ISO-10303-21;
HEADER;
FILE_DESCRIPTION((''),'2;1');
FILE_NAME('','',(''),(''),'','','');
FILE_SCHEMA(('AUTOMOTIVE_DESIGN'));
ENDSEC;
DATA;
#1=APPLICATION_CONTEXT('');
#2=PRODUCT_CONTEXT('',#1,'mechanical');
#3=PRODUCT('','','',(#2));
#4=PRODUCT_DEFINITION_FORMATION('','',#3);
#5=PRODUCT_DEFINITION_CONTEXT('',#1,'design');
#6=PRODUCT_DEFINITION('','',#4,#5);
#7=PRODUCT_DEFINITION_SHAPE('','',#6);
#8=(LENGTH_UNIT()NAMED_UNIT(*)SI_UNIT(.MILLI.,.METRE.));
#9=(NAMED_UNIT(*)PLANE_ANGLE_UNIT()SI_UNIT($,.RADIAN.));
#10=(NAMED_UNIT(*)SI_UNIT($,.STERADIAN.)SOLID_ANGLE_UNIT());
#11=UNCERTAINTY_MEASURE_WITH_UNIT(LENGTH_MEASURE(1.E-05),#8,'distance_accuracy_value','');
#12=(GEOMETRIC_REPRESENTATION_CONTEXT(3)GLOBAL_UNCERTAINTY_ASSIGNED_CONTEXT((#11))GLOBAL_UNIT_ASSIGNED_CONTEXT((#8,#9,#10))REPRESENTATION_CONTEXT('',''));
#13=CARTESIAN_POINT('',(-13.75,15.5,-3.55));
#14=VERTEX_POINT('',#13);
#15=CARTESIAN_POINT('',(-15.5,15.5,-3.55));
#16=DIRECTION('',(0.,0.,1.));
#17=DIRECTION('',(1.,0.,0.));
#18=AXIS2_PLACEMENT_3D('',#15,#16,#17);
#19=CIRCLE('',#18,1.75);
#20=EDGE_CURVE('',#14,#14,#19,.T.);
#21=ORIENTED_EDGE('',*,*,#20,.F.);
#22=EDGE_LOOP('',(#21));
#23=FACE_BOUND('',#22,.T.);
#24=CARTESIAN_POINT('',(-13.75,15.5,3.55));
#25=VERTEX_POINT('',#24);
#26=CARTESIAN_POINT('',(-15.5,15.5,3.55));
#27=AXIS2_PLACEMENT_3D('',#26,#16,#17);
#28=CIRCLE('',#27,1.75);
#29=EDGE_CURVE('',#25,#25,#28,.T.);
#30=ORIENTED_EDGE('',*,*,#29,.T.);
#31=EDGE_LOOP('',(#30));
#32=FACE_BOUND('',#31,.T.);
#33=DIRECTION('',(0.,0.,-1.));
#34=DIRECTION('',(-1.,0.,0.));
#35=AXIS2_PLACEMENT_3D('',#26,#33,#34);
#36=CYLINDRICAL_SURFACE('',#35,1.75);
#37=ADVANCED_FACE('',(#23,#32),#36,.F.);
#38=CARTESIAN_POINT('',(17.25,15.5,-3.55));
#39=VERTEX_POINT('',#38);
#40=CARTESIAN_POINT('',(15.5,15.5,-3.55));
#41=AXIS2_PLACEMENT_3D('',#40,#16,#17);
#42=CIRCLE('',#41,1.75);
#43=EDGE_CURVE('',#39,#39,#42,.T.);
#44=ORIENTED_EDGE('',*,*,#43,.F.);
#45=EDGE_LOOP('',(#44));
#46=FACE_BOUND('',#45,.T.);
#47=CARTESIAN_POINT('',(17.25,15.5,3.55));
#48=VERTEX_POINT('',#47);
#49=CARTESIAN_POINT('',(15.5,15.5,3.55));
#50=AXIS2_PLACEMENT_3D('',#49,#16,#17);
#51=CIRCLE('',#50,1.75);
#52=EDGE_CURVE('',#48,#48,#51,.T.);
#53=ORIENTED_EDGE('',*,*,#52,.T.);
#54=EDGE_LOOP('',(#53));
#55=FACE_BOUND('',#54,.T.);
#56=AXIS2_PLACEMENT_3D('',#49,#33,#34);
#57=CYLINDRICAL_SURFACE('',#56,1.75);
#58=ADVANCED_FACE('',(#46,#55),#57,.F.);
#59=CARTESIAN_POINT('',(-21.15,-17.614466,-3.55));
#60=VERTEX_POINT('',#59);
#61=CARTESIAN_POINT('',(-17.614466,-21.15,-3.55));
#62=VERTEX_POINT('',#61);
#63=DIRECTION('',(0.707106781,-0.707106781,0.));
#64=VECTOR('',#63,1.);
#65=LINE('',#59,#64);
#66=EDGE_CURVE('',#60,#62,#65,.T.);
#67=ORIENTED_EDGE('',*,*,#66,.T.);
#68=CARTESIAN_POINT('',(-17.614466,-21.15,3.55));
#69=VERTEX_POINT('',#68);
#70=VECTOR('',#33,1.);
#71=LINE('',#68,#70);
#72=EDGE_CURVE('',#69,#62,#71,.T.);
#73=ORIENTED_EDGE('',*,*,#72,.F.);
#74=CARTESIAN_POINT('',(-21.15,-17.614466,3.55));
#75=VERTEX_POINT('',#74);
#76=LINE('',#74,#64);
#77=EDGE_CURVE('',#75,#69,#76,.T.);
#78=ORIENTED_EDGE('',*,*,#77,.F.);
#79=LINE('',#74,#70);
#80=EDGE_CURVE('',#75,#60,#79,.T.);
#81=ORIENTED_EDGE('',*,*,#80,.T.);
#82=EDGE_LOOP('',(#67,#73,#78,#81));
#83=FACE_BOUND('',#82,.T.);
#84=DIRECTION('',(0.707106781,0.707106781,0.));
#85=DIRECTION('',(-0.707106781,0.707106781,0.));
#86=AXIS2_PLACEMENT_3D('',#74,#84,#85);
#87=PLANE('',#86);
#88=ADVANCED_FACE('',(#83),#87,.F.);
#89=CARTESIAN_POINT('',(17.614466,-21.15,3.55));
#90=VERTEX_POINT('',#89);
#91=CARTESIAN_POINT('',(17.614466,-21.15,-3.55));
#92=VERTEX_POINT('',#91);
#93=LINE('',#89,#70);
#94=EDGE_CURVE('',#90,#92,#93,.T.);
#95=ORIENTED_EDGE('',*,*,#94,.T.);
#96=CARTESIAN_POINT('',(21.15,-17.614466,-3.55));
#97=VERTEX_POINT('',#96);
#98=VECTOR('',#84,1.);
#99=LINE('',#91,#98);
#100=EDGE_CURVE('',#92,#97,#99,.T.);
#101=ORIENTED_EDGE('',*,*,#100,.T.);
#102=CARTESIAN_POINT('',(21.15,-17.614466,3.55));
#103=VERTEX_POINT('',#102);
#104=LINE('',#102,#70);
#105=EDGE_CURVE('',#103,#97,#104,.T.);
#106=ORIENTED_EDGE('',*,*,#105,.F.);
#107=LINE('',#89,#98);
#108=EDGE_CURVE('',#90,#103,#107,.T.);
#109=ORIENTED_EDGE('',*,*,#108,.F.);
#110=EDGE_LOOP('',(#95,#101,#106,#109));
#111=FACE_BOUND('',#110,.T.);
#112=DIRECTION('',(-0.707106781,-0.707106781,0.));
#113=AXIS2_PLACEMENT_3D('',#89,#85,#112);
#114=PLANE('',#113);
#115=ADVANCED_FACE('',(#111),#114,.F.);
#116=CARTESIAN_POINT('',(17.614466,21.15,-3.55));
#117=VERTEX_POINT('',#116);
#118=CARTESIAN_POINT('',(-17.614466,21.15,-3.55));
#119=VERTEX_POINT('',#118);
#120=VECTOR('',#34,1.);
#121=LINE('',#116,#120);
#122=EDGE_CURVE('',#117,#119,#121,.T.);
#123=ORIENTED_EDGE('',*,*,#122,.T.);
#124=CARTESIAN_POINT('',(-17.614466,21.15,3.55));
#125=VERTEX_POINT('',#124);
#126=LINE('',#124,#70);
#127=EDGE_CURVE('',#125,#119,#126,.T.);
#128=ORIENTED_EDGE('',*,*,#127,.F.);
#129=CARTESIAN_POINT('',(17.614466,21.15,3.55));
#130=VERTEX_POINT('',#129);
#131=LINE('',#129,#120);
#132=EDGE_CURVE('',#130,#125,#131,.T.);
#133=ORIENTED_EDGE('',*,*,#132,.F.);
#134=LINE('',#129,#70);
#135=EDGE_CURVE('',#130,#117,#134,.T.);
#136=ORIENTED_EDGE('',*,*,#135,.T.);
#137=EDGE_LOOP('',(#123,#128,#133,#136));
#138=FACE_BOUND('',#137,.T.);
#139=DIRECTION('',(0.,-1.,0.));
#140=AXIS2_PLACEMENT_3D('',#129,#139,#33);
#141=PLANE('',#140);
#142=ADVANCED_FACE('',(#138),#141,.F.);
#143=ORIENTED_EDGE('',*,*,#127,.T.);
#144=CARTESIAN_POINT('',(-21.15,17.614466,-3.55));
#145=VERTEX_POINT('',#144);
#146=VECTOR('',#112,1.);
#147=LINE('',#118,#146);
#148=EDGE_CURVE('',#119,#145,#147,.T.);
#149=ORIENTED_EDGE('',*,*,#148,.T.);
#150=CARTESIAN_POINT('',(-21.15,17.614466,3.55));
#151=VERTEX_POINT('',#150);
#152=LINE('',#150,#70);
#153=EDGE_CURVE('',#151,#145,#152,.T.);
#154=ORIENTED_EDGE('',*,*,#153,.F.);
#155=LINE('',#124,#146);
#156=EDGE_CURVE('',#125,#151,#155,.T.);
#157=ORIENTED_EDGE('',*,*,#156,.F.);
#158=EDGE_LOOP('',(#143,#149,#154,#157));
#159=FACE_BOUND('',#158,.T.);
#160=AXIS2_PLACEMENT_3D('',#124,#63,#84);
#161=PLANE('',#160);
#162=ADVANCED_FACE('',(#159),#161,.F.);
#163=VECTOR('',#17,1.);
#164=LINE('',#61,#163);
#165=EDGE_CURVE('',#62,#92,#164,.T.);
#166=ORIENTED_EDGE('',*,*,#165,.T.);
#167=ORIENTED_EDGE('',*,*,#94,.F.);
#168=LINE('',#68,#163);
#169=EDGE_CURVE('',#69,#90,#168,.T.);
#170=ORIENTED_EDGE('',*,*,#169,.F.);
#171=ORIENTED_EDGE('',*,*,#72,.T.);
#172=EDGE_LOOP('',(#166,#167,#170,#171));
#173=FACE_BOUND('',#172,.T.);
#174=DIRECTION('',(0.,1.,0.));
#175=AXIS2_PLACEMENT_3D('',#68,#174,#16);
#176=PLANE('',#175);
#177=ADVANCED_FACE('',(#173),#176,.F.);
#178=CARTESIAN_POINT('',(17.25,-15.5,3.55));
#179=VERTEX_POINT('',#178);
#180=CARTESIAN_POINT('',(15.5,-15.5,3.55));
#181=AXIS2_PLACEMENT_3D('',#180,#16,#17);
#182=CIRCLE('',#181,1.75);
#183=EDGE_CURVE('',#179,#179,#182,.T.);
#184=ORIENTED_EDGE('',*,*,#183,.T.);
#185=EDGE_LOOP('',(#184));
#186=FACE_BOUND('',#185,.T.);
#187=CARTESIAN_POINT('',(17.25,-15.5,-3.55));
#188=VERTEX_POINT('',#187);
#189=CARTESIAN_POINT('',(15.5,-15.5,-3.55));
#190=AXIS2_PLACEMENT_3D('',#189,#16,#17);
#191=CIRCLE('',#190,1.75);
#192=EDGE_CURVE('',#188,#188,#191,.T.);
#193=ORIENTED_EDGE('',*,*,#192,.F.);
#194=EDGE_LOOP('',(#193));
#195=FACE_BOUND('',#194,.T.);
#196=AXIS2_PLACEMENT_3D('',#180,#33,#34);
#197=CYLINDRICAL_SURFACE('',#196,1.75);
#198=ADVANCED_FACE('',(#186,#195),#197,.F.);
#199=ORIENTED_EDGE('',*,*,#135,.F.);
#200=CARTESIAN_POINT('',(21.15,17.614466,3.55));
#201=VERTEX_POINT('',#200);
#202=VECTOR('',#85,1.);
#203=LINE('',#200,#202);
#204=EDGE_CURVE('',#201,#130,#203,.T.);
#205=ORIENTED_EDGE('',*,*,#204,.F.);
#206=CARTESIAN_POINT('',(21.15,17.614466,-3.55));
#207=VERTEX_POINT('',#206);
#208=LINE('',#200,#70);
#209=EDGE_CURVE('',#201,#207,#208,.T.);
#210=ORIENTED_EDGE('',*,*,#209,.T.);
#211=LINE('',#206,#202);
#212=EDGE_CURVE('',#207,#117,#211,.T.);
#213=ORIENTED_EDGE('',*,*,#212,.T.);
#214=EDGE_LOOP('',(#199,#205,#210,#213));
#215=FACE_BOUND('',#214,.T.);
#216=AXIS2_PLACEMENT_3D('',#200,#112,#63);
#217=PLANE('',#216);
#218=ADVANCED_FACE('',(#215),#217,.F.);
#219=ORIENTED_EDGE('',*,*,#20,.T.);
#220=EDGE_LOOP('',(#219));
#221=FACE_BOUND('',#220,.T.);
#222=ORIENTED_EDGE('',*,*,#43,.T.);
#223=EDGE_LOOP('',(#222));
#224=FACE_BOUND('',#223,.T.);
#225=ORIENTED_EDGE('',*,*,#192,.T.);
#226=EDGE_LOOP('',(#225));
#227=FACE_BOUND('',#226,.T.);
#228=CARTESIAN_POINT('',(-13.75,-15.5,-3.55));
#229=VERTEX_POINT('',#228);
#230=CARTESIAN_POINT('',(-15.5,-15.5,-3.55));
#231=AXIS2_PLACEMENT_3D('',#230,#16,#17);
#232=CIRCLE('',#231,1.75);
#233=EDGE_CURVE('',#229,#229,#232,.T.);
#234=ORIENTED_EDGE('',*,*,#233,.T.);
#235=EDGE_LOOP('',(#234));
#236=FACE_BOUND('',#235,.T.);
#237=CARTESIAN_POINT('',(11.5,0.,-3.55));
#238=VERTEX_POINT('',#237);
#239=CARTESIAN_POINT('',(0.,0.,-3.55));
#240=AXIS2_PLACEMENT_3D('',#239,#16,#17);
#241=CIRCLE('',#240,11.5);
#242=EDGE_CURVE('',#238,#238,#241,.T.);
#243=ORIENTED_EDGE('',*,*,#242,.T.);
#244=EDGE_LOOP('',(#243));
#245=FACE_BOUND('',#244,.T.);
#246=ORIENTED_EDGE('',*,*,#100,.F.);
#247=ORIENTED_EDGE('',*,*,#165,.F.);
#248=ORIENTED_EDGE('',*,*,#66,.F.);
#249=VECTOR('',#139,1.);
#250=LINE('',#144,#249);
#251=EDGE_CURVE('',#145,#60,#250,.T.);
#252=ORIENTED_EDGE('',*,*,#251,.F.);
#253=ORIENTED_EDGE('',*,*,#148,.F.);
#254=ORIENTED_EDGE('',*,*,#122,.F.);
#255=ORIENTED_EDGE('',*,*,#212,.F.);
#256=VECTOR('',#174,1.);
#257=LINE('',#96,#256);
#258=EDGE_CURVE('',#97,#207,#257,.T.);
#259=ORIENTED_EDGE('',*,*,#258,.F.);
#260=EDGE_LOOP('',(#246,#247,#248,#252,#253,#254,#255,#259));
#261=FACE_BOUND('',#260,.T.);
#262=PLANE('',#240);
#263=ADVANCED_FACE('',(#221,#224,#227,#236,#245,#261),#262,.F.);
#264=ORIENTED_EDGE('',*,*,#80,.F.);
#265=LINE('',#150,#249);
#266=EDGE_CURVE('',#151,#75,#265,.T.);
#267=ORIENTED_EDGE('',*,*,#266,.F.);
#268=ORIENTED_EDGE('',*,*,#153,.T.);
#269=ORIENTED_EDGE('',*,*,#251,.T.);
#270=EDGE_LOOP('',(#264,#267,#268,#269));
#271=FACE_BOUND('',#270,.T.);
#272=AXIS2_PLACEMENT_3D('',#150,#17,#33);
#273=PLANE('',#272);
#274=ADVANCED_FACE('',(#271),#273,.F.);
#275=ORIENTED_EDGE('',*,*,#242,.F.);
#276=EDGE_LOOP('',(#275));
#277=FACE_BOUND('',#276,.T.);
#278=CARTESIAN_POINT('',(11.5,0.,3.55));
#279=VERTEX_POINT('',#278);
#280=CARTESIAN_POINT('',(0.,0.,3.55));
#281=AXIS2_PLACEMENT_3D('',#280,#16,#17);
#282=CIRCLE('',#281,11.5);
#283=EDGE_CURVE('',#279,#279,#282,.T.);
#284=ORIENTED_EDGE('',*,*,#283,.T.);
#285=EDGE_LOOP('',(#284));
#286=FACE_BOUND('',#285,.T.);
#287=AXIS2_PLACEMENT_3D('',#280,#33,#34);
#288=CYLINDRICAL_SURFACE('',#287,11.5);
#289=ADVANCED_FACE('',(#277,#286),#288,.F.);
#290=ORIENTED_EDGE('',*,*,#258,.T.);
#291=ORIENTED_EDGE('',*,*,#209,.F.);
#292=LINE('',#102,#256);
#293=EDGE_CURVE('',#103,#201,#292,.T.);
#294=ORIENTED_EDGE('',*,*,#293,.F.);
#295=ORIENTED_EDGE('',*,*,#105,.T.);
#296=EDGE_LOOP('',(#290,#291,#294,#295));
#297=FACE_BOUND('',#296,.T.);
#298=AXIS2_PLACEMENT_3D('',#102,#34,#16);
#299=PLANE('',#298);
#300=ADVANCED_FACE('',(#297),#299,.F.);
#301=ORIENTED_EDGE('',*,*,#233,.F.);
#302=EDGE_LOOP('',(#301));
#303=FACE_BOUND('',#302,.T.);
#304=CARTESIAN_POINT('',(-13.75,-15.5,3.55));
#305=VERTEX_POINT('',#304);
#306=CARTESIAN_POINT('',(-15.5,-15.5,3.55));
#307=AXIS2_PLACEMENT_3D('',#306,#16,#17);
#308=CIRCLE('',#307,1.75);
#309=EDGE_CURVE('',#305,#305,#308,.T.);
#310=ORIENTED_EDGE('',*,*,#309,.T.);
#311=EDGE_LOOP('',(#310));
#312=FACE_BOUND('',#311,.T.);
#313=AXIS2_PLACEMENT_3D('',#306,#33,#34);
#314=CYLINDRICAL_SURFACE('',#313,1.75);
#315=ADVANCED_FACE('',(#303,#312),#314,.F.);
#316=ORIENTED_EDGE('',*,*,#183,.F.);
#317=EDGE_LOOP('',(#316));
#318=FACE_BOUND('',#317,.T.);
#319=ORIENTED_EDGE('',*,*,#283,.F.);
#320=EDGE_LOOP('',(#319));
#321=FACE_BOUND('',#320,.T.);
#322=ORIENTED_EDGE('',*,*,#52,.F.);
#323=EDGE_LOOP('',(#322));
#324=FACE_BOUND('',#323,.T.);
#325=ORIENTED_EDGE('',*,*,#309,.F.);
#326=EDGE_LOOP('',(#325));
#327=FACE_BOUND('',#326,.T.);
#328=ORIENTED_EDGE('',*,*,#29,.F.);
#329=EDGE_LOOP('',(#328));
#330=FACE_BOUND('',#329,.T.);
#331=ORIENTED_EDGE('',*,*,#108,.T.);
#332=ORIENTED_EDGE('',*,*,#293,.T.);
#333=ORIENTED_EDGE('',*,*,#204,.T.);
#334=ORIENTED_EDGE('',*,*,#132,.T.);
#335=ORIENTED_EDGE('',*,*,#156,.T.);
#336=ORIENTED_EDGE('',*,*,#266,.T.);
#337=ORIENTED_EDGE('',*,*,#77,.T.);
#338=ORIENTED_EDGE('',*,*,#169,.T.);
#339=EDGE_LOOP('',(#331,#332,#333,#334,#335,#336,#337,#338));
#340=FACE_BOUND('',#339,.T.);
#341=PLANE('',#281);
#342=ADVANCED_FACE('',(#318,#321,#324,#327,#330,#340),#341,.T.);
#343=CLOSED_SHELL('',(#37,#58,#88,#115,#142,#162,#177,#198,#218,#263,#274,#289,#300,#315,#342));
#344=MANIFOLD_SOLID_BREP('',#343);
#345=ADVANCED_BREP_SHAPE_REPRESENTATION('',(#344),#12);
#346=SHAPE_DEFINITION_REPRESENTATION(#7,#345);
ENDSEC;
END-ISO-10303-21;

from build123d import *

# Parameters (mm, degrees)
SKETCH1_R           = 1.75
SKETCH1_R_2         = 11.5
BOSS_EXTRUDE1_DEPTH = 3.55


with BuildPart() as part:
    # Sketch1 → Boss-Extrude1 (new, symmetric)
    with BuildSketch(Plane.XY):
        Polygon((21.15, -17.614466094), (21.15, 17.614466094), (17.614466094, 21.15), (-17.614466094, 21.15), (-21.15, 17.614466094), (-21.15, -17.614466094), (-17.614466094, -21.15), (17.614466094, -21.15), align=None)
        with Locations((-15.5, 15.5)):
            Circle(SKETCH1_R, mode=Mode.SUBTRACT)
        with Locations((15.5, 15.5)):
            Circle(SKETCH1_R, mode=Mode.SUBTRACT)
        with Locations((15.5, -15.5)):
            Circle(SKETCH1_R, mode=Mode.SUBTRACT)
        with Locations((-15.5, -15.5)):
            Circle(SKETCH1_R, mode=Mode.SUBTRACT)
        Circle(SKETCH1_R_2, mode=Mode.SUBTRACT)
    extrude(amount=BOSS_EXTRUDE1_DEPTH, both=True)


solid = part.part
